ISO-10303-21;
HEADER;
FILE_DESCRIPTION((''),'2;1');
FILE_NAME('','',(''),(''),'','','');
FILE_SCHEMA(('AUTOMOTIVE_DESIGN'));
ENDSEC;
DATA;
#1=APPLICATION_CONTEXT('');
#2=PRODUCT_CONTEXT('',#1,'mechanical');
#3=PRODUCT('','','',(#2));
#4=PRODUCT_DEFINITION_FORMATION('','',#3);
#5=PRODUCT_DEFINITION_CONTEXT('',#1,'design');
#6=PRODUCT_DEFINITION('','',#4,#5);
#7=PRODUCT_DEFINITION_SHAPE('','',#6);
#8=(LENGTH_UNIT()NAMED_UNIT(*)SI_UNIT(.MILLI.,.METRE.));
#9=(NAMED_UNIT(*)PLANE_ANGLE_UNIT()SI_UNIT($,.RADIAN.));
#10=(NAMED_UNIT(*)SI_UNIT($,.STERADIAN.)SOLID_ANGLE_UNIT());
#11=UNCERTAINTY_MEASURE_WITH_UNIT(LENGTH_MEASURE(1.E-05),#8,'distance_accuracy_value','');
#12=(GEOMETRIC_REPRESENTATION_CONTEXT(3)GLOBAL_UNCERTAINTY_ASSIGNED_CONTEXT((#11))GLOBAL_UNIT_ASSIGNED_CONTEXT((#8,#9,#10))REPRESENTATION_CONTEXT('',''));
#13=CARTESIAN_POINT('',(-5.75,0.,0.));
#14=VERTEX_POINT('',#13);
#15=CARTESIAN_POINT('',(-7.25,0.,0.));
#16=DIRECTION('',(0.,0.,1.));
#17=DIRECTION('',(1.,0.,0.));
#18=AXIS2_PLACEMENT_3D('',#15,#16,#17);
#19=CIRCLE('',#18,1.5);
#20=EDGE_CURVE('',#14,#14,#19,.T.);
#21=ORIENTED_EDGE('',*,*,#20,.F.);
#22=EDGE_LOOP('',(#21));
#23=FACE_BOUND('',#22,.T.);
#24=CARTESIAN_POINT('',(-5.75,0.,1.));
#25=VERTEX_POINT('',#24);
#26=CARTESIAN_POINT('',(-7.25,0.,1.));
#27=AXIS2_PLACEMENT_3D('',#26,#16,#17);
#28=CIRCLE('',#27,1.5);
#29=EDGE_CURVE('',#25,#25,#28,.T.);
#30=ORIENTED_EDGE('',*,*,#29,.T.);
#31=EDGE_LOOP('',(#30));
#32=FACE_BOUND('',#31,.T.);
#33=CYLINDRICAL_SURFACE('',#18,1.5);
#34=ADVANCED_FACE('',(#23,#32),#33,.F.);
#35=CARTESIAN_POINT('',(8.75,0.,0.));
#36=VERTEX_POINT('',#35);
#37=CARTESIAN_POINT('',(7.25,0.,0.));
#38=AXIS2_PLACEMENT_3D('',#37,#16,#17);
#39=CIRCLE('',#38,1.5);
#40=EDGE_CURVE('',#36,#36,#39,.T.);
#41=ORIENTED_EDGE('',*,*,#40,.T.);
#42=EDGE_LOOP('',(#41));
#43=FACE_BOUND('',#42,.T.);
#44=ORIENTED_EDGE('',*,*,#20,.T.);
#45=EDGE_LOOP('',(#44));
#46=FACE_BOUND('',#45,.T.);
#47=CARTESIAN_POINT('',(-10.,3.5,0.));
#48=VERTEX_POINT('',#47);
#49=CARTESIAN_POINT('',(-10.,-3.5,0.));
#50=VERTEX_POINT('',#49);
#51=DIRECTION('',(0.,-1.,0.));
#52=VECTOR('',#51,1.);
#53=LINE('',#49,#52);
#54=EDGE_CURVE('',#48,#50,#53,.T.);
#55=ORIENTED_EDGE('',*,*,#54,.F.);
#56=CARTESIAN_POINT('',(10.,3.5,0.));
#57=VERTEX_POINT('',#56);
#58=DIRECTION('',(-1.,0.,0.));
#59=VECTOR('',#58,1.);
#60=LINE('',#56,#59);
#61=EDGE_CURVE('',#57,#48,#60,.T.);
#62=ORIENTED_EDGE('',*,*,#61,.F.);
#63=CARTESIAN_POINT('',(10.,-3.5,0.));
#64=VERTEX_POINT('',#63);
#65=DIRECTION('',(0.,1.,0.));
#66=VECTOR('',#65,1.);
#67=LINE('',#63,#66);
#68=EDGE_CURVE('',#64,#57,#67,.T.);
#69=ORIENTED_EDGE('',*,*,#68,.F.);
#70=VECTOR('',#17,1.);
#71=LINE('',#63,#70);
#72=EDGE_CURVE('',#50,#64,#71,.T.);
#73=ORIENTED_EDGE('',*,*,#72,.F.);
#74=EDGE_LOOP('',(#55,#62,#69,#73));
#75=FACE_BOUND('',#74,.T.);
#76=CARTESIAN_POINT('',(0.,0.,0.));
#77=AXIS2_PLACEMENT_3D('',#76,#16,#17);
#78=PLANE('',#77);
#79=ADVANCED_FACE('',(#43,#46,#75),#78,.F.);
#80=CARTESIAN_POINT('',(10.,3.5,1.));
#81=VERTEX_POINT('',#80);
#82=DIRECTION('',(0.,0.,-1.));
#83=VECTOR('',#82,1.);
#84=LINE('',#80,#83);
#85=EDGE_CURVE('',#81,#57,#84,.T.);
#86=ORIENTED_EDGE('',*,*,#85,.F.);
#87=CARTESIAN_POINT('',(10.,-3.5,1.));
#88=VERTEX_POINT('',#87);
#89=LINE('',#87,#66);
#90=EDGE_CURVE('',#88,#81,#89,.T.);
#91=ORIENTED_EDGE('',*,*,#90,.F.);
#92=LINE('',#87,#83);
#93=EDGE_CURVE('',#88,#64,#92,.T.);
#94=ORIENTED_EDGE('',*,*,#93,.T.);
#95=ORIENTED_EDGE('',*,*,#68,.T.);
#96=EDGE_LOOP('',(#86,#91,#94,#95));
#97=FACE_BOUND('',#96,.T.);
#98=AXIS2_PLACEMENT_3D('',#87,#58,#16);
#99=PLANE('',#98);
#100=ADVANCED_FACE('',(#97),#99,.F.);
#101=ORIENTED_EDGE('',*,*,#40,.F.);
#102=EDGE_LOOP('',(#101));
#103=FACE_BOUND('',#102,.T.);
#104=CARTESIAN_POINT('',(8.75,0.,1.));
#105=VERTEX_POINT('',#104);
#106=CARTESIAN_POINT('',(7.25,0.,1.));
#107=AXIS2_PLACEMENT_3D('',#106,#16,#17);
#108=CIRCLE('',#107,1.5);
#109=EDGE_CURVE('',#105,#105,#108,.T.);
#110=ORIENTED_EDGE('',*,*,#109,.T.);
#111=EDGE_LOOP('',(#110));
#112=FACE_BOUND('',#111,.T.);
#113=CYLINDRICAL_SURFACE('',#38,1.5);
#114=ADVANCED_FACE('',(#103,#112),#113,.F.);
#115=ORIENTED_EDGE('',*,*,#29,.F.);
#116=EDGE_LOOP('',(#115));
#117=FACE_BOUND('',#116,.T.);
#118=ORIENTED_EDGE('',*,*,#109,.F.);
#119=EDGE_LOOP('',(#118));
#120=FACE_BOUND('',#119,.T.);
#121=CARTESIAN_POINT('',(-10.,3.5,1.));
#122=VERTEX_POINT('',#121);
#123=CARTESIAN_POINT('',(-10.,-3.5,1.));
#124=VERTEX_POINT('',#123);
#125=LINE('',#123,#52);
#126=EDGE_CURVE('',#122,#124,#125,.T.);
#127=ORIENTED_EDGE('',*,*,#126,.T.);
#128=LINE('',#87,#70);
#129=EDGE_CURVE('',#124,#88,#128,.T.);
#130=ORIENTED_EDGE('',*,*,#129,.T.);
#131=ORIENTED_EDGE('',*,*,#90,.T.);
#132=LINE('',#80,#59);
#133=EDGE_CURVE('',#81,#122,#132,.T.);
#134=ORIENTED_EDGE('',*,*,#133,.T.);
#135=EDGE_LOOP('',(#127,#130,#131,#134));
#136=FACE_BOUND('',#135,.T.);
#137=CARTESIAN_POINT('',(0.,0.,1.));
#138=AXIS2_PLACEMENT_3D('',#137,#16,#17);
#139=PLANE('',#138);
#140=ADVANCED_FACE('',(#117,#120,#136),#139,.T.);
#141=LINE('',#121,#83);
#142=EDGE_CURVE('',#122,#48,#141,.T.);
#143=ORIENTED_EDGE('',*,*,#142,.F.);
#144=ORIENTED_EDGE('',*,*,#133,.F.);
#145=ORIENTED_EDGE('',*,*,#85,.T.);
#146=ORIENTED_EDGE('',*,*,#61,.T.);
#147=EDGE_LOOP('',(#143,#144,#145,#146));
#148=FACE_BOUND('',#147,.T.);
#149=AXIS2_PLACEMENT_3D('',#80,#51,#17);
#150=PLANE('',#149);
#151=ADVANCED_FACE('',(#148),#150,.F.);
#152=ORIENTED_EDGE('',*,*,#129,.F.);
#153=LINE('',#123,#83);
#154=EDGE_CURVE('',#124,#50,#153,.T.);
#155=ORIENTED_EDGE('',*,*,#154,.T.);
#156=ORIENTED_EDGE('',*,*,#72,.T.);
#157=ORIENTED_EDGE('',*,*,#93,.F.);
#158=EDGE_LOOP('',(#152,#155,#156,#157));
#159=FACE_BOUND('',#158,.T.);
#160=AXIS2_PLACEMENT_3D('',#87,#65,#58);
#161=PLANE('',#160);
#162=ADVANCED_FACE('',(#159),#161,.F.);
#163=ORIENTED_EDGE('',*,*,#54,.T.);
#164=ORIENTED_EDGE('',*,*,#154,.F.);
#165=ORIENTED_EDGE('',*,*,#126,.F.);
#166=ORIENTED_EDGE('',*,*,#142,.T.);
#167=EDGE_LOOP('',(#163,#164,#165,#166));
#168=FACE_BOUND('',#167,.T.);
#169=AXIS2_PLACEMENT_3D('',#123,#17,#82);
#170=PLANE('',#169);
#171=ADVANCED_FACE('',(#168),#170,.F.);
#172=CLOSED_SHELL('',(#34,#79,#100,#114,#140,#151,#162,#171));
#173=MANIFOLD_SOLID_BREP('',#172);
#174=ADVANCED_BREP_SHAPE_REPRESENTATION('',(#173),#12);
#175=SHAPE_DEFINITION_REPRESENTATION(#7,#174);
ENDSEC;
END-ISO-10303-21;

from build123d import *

# Parameters (mm, degrees)
SKETCH1_W           = 20
SKETCH1_H           = 7
BOSS_EXTRUDE1_DEPTH = 1
SKETCH2_R           = 1.5
CUT_EXTRUDE1_DEPTH  = 1


with BuildPart() as part:
    # Sketch1 → Boss-Extrude1 (new body)
    with BuildSketch(Plane.XY):
        Rectangle(SKETCH1_W, SKETCH1_H)
    extrude(amount=BOSS_EXTRUDE1_DEPTH)

    # Sketch2 → Cut-Extrude1 (cut)
    with BuildSketch(Plane.XY.offset(1)):
        with Locations((-7.25, 0)):
            Circle(SKETCH2_R)
        with Locations((7.25, 0)):
            Circle(SKETCH2_R)
    extrude(amount=-CUT_EXTRUDE1_DEPTH, mode=Mode.SUBTRACT)


solid = part.part
